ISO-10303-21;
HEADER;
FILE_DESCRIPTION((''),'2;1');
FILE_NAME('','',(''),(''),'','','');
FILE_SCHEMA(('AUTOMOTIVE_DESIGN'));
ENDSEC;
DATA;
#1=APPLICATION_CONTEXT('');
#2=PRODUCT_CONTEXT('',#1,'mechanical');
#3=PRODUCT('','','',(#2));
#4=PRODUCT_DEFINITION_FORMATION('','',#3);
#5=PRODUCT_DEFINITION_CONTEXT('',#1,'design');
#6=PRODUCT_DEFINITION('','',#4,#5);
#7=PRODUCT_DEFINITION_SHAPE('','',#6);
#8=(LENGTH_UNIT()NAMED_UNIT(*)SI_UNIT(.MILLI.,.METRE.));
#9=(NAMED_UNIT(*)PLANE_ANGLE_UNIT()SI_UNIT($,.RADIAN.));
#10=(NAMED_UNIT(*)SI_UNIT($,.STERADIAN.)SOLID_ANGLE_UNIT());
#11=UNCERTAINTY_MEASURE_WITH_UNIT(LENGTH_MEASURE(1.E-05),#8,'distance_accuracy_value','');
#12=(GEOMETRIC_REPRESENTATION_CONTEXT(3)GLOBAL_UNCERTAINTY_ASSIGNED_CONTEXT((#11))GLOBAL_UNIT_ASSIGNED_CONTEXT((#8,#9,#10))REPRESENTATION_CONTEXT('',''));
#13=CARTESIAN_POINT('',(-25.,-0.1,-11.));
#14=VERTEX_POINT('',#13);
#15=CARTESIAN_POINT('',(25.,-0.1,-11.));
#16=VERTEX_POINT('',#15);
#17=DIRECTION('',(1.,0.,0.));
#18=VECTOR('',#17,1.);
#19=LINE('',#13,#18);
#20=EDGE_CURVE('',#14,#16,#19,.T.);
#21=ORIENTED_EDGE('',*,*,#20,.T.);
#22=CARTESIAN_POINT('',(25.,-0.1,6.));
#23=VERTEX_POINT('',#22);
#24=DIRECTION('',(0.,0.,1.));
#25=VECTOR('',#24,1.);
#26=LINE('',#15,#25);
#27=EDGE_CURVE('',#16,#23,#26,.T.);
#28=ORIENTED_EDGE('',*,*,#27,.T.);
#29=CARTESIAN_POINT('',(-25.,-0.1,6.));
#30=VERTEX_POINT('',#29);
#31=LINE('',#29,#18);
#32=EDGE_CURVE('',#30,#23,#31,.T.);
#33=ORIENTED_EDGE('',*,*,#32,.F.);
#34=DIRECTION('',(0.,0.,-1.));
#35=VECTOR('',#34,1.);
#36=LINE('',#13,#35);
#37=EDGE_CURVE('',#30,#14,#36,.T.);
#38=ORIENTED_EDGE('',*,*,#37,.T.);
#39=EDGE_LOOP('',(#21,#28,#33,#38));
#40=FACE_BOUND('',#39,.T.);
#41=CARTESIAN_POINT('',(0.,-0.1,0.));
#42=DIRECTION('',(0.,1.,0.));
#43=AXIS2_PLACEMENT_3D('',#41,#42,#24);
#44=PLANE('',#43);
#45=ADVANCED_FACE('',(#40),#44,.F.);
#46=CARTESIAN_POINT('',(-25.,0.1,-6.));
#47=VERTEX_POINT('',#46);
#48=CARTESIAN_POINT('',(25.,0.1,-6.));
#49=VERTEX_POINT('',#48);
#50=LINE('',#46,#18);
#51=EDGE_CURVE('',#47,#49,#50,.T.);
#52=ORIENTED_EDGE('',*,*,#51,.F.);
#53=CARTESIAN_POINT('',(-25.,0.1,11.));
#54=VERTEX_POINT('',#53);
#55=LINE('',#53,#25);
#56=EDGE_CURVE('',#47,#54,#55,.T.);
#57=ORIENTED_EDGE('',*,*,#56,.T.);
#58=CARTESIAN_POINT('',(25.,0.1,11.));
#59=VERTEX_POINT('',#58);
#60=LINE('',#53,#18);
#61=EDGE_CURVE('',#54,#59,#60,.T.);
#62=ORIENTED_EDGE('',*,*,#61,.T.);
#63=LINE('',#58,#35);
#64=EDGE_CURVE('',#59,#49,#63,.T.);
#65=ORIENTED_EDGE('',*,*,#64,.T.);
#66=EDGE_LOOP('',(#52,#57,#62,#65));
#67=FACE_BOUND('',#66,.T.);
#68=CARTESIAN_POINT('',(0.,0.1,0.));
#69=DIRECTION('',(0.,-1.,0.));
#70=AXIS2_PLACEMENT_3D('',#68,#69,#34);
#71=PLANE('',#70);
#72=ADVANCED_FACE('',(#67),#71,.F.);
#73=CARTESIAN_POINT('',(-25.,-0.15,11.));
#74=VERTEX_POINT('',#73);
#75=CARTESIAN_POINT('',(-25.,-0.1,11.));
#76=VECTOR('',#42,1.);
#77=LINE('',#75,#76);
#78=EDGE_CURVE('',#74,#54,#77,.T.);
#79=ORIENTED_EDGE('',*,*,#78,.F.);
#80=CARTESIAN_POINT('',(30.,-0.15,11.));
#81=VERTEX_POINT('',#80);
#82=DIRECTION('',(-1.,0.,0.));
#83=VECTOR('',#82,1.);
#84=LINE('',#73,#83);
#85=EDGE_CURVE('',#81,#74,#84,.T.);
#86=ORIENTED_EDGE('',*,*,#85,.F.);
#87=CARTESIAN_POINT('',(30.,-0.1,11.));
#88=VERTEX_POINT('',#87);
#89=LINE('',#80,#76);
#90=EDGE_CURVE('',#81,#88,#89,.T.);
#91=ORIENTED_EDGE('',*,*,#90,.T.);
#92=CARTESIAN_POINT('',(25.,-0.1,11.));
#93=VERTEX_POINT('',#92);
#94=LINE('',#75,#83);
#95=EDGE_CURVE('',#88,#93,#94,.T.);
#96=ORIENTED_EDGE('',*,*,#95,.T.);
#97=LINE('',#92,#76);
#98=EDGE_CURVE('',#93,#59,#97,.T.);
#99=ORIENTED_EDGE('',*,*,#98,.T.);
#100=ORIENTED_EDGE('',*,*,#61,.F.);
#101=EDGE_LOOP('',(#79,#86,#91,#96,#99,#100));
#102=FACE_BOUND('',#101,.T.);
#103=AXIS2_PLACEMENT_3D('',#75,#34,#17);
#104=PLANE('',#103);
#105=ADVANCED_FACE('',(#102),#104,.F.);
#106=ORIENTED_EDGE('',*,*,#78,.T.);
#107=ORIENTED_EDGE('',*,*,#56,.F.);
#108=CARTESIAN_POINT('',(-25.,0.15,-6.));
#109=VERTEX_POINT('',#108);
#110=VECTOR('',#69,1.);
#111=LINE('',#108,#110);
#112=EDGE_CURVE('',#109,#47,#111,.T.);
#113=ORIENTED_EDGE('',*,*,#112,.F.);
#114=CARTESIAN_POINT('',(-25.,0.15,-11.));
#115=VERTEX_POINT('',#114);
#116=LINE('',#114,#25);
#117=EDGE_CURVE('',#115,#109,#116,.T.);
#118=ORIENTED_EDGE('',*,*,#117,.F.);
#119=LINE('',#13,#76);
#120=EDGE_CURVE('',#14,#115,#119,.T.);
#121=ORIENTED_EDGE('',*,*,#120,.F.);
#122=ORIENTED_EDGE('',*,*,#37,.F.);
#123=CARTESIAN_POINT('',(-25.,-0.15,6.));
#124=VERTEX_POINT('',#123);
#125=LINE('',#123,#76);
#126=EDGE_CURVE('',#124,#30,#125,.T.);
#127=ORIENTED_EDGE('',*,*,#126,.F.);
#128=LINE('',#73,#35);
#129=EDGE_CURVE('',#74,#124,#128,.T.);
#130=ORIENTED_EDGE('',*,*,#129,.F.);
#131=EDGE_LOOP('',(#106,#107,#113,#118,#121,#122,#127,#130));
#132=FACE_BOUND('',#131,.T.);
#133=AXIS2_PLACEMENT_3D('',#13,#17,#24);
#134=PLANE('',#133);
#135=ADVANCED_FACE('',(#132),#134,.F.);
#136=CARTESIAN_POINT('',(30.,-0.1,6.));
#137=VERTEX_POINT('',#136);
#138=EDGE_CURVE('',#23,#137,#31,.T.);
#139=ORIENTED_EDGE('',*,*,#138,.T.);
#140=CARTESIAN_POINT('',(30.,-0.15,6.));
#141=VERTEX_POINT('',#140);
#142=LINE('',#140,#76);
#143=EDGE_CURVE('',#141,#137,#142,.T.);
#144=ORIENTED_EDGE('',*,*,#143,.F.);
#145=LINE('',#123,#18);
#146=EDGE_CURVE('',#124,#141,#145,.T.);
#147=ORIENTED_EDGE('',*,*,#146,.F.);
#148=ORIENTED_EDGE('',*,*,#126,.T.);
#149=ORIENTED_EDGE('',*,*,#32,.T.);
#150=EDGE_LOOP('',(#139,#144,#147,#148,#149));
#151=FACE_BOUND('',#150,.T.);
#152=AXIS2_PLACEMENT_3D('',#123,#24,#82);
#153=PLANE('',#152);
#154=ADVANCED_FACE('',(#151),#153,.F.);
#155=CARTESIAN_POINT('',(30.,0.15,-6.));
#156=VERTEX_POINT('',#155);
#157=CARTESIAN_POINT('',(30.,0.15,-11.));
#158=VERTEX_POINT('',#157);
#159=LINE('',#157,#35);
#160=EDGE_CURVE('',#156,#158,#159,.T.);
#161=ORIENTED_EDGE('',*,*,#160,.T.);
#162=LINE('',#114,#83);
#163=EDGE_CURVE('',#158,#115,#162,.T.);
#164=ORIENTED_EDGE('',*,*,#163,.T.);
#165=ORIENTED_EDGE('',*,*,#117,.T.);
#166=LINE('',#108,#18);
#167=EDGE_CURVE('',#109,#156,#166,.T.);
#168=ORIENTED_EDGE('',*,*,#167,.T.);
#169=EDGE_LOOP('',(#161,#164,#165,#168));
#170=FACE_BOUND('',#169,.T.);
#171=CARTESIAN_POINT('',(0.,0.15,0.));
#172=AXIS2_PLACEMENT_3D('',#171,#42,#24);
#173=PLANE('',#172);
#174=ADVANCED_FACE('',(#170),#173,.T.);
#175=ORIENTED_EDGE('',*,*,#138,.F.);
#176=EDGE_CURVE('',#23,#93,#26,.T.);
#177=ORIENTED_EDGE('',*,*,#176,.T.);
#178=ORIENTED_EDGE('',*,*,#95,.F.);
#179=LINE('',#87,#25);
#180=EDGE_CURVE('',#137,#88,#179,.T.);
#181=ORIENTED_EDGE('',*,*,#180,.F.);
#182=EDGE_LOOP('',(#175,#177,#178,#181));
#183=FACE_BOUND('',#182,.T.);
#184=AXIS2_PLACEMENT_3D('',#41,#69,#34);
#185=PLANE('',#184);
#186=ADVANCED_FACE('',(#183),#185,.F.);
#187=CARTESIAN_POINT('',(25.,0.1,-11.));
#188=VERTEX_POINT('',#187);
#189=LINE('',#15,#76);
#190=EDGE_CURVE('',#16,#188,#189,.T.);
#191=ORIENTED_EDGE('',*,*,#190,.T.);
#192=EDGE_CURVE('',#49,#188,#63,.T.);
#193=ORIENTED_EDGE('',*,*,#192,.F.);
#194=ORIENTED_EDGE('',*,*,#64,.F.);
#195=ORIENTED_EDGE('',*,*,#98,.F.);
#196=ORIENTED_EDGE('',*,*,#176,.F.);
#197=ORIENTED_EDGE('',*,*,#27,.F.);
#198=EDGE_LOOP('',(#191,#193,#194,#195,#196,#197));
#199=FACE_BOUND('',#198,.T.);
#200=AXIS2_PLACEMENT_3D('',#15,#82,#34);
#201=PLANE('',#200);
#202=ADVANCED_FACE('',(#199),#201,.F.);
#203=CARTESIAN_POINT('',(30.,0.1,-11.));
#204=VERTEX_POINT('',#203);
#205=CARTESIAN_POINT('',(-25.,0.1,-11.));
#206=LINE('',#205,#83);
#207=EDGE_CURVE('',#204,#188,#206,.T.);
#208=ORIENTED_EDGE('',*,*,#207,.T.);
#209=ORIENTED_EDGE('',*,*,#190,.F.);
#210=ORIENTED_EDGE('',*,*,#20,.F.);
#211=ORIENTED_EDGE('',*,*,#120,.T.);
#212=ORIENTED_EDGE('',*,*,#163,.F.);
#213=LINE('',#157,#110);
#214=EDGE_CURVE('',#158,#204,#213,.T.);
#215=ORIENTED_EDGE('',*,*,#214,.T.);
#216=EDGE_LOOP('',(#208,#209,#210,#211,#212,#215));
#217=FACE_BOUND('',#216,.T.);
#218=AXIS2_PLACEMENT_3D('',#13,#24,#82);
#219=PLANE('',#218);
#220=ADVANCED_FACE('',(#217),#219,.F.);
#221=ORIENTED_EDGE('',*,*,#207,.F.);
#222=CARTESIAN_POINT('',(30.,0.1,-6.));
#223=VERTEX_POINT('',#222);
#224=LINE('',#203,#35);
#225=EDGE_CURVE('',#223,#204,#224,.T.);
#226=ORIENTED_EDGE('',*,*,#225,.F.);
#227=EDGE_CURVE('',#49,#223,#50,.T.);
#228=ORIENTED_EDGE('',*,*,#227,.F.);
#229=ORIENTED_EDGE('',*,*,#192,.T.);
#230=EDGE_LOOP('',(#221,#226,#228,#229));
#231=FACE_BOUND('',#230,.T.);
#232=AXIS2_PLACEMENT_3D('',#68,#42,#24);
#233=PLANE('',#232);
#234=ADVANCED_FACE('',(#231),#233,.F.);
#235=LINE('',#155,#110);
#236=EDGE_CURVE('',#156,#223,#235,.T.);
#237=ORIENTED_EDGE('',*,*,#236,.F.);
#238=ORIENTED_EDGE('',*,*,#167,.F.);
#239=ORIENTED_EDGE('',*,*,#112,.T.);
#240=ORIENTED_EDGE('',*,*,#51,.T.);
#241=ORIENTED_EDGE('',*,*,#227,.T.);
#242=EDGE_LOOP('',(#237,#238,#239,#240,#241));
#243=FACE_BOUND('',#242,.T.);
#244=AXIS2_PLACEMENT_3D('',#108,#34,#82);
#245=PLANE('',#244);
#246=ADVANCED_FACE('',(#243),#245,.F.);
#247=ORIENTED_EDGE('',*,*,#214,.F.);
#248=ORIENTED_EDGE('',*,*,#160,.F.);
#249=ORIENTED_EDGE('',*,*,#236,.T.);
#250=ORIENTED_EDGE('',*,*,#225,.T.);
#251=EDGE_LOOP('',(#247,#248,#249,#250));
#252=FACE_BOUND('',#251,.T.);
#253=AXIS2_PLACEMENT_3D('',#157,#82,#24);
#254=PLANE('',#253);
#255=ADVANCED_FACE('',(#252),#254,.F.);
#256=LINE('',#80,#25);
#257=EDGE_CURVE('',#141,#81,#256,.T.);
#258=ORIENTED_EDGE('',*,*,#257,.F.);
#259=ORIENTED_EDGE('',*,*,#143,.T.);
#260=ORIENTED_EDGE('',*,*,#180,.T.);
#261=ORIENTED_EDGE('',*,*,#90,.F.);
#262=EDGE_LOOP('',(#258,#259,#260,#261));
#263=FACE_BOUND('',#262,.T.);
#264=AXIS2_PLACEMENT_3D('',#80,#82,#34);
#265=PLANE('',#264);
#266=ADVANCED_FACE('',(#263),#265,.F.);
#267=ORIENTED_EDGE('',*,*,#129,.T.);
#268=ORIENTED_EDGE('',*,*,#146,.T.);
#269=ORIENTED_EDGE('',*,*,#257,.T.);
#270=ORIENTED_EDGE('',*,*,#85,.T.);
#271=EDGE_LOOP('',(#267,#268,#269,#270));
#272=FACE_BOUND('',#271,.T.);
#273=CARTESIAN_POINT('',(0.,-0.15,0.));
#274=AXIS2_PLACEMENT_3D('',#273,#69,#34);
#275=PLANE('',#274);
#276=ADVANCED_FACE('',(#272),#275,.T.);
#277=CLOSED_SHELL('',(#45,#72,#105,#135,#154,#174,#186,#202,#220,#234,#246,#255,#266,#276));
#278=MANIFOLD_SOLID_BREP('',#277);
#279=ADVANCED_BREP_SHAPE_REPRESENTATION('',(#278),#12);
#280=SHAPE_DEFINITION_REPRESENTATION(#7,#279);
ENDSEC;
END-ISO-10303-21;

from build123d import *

# Parameters (mm, degrees)
SKETCH1_W           = 50
SKETCH1_H           = 22
BOSS_EXTRUDE1_DEPTH = 0.1
SKETCH2_W           = 55
SKETCH2_H           = 5
BOSS_EXTRUDE2_DEPTH = 0.05
CIRPATTERN1_COUNT   = 2


with BuildPart() as part:
    # Sketch1 → Boss-Extrude1 (new body)
    with BuildSketch(Plane(origin=(0, 0, 0), x_dir=(1, 0, 0), z_dir=(0, 1, 0))):
        Rectangle(SKETCH1_W, SKETCH1_H)
    extrude(amount=BOSS_EXTRUDE1_DEPTH)

    # Sketch2 → Boss-Extrude2 (add)
    with BuildSketch(Plane(origin=(0, 0.1, 0), x_dir=(1, 0, 0), z_dir=(0, 1, 0))):
        with Locations((2.5, 8.5)):
            Rectangle(SKETCH2_W, SKETCH2_H)
    extrude(amount=BOSS_EXTRUDE2_DEPTH)


with BuildPart() as cirpattern1_1:
    # CirPattern1: pattern copy
    add(part.part.rotate(Axis((-27.75005375, 0, 0), (1, 0, 0)), 1 * 360 / CIRPATTERN1_COUNT))

    # Combine2: union part
    add(part.part)


solid = cirpattern1_1.part
